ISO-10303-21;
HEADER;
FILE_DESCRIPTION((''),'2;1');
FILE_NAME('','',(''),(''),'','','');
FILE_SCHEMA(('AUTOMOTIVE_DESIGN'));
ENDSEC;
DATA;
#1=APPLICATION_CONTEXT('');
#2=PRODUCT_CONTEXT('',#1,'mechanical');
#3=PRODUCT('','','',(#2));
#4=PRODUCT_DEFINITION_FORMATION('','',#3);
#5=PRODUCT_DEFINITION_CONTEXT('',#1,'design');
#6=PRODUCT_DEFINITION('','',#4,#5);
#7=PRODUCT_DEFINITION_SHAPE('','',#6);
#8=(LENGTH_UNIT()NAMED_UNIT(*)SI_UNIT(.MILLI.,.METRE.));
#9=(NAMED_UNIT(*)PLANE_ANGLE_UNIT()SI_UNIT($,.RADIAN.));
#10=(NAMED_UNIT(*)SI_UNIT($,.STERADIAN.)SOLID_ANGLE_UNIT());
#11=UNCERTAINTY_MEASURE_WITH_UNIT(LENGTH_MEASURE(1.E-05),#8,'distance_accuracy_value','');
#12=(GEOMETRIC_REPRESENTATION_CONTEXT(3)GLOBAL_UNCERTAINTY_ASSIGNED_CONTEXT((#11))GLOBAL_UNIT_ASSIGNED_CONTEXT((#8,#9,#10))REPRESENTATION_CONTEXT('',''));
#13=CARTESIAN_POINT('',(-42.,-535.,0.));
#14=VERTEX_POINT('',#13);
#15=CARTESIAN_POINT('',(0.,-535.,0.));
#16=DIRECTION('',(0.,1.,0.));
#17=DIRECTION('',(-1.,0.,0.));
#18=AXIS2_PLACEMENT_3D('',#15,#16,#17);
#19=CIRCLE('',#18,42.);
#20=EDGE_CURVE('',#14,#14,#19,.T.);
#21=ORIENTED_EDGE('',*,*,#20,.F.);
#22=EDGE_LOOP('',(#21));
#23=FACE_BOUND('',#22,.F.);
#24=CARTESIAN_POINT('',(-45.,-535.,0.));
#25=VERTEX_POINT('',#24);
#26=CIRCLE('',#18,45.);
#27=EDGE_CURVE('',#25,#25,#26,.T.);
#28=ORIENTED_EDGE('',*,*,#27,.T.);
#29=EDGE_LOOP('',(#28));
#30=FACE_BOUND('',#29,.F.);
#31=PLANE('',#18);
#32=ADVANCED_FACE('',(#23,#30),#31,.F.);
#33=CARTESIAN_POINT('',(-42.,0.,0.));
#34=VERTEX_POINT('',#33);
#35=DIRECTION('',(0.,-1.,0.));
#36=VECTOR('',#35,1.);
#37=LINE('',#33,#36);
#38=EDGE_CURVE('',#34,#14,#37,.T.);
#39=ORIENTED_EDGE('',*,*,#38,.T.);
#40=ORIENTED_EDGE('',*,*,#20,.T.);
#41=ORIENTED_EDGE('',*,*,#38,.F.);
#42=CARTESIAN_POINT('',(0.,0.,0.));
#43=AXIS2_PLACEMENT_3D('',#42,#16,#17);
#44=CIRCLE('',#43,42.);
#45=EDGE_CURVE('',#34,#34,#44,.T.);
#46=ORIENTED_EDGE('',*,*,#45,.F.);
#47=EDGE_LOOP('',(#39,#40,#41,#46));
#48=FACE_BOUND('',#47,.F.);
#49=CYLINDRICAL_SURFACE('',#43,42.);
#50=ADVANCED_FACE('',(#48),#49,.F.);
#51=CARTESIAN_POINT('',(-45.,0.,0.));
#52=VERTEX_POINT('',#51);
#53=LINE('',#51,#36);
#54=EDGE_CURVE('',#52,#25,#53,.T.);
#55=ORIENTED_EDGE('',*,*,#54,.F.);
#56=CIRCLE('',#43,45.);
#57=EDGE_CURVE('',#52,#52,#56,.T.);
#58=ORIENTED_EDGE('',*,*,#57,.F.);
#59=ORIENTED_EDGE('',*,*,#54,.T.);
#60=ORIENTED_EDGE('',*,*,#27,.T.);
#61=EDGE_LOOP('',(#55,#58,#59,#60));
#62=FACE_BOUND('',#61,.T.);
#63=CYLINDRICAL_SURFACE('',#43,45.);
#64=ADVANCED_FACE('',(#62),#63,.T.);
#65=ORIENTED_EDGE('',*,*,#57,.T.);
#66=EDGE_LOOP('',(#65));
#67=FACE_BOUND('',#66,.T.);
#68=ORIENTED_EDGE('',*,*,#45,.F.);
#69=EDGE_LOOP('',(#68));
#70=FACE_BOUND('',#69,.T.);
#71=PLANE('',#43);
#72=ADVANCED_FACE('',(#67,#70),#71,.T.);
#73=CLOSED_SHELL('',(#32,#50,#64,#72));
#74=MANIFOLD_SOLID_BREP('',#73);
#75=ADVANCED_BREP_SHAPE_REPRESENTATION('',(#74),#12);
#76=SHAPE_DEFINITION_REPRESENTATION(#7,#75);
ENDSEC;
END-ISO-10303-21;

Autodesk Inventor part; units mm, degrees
ref_plane "YZ Plane" through (0, 0, 0) normal (1, 0, 0) x (0, 1, 0)
ref_plane "XZ Plane" through (0, 0, 0) normal (0, 1, 0) x (-1, 0, 0)
ref_plane "XY Plane" through (0, 0, 0) normal (0, 0, 1) x (1, 0, 0)
sketch "Sketch1" plane through (0, 0, 0) normal (0, 1, 0) x (-1, 0, 0)
  circle A0 centre (0, 0) radius 45
  circle A1 centre (0, 0) radius 42
  dimension "d0" = 90
  dimension "d1" = 3
extrude "Extrusion1" add sketch "Sketch1" against normal blind 535
properties part number "PNS 1705 FDS tube 1" material "Steel"
